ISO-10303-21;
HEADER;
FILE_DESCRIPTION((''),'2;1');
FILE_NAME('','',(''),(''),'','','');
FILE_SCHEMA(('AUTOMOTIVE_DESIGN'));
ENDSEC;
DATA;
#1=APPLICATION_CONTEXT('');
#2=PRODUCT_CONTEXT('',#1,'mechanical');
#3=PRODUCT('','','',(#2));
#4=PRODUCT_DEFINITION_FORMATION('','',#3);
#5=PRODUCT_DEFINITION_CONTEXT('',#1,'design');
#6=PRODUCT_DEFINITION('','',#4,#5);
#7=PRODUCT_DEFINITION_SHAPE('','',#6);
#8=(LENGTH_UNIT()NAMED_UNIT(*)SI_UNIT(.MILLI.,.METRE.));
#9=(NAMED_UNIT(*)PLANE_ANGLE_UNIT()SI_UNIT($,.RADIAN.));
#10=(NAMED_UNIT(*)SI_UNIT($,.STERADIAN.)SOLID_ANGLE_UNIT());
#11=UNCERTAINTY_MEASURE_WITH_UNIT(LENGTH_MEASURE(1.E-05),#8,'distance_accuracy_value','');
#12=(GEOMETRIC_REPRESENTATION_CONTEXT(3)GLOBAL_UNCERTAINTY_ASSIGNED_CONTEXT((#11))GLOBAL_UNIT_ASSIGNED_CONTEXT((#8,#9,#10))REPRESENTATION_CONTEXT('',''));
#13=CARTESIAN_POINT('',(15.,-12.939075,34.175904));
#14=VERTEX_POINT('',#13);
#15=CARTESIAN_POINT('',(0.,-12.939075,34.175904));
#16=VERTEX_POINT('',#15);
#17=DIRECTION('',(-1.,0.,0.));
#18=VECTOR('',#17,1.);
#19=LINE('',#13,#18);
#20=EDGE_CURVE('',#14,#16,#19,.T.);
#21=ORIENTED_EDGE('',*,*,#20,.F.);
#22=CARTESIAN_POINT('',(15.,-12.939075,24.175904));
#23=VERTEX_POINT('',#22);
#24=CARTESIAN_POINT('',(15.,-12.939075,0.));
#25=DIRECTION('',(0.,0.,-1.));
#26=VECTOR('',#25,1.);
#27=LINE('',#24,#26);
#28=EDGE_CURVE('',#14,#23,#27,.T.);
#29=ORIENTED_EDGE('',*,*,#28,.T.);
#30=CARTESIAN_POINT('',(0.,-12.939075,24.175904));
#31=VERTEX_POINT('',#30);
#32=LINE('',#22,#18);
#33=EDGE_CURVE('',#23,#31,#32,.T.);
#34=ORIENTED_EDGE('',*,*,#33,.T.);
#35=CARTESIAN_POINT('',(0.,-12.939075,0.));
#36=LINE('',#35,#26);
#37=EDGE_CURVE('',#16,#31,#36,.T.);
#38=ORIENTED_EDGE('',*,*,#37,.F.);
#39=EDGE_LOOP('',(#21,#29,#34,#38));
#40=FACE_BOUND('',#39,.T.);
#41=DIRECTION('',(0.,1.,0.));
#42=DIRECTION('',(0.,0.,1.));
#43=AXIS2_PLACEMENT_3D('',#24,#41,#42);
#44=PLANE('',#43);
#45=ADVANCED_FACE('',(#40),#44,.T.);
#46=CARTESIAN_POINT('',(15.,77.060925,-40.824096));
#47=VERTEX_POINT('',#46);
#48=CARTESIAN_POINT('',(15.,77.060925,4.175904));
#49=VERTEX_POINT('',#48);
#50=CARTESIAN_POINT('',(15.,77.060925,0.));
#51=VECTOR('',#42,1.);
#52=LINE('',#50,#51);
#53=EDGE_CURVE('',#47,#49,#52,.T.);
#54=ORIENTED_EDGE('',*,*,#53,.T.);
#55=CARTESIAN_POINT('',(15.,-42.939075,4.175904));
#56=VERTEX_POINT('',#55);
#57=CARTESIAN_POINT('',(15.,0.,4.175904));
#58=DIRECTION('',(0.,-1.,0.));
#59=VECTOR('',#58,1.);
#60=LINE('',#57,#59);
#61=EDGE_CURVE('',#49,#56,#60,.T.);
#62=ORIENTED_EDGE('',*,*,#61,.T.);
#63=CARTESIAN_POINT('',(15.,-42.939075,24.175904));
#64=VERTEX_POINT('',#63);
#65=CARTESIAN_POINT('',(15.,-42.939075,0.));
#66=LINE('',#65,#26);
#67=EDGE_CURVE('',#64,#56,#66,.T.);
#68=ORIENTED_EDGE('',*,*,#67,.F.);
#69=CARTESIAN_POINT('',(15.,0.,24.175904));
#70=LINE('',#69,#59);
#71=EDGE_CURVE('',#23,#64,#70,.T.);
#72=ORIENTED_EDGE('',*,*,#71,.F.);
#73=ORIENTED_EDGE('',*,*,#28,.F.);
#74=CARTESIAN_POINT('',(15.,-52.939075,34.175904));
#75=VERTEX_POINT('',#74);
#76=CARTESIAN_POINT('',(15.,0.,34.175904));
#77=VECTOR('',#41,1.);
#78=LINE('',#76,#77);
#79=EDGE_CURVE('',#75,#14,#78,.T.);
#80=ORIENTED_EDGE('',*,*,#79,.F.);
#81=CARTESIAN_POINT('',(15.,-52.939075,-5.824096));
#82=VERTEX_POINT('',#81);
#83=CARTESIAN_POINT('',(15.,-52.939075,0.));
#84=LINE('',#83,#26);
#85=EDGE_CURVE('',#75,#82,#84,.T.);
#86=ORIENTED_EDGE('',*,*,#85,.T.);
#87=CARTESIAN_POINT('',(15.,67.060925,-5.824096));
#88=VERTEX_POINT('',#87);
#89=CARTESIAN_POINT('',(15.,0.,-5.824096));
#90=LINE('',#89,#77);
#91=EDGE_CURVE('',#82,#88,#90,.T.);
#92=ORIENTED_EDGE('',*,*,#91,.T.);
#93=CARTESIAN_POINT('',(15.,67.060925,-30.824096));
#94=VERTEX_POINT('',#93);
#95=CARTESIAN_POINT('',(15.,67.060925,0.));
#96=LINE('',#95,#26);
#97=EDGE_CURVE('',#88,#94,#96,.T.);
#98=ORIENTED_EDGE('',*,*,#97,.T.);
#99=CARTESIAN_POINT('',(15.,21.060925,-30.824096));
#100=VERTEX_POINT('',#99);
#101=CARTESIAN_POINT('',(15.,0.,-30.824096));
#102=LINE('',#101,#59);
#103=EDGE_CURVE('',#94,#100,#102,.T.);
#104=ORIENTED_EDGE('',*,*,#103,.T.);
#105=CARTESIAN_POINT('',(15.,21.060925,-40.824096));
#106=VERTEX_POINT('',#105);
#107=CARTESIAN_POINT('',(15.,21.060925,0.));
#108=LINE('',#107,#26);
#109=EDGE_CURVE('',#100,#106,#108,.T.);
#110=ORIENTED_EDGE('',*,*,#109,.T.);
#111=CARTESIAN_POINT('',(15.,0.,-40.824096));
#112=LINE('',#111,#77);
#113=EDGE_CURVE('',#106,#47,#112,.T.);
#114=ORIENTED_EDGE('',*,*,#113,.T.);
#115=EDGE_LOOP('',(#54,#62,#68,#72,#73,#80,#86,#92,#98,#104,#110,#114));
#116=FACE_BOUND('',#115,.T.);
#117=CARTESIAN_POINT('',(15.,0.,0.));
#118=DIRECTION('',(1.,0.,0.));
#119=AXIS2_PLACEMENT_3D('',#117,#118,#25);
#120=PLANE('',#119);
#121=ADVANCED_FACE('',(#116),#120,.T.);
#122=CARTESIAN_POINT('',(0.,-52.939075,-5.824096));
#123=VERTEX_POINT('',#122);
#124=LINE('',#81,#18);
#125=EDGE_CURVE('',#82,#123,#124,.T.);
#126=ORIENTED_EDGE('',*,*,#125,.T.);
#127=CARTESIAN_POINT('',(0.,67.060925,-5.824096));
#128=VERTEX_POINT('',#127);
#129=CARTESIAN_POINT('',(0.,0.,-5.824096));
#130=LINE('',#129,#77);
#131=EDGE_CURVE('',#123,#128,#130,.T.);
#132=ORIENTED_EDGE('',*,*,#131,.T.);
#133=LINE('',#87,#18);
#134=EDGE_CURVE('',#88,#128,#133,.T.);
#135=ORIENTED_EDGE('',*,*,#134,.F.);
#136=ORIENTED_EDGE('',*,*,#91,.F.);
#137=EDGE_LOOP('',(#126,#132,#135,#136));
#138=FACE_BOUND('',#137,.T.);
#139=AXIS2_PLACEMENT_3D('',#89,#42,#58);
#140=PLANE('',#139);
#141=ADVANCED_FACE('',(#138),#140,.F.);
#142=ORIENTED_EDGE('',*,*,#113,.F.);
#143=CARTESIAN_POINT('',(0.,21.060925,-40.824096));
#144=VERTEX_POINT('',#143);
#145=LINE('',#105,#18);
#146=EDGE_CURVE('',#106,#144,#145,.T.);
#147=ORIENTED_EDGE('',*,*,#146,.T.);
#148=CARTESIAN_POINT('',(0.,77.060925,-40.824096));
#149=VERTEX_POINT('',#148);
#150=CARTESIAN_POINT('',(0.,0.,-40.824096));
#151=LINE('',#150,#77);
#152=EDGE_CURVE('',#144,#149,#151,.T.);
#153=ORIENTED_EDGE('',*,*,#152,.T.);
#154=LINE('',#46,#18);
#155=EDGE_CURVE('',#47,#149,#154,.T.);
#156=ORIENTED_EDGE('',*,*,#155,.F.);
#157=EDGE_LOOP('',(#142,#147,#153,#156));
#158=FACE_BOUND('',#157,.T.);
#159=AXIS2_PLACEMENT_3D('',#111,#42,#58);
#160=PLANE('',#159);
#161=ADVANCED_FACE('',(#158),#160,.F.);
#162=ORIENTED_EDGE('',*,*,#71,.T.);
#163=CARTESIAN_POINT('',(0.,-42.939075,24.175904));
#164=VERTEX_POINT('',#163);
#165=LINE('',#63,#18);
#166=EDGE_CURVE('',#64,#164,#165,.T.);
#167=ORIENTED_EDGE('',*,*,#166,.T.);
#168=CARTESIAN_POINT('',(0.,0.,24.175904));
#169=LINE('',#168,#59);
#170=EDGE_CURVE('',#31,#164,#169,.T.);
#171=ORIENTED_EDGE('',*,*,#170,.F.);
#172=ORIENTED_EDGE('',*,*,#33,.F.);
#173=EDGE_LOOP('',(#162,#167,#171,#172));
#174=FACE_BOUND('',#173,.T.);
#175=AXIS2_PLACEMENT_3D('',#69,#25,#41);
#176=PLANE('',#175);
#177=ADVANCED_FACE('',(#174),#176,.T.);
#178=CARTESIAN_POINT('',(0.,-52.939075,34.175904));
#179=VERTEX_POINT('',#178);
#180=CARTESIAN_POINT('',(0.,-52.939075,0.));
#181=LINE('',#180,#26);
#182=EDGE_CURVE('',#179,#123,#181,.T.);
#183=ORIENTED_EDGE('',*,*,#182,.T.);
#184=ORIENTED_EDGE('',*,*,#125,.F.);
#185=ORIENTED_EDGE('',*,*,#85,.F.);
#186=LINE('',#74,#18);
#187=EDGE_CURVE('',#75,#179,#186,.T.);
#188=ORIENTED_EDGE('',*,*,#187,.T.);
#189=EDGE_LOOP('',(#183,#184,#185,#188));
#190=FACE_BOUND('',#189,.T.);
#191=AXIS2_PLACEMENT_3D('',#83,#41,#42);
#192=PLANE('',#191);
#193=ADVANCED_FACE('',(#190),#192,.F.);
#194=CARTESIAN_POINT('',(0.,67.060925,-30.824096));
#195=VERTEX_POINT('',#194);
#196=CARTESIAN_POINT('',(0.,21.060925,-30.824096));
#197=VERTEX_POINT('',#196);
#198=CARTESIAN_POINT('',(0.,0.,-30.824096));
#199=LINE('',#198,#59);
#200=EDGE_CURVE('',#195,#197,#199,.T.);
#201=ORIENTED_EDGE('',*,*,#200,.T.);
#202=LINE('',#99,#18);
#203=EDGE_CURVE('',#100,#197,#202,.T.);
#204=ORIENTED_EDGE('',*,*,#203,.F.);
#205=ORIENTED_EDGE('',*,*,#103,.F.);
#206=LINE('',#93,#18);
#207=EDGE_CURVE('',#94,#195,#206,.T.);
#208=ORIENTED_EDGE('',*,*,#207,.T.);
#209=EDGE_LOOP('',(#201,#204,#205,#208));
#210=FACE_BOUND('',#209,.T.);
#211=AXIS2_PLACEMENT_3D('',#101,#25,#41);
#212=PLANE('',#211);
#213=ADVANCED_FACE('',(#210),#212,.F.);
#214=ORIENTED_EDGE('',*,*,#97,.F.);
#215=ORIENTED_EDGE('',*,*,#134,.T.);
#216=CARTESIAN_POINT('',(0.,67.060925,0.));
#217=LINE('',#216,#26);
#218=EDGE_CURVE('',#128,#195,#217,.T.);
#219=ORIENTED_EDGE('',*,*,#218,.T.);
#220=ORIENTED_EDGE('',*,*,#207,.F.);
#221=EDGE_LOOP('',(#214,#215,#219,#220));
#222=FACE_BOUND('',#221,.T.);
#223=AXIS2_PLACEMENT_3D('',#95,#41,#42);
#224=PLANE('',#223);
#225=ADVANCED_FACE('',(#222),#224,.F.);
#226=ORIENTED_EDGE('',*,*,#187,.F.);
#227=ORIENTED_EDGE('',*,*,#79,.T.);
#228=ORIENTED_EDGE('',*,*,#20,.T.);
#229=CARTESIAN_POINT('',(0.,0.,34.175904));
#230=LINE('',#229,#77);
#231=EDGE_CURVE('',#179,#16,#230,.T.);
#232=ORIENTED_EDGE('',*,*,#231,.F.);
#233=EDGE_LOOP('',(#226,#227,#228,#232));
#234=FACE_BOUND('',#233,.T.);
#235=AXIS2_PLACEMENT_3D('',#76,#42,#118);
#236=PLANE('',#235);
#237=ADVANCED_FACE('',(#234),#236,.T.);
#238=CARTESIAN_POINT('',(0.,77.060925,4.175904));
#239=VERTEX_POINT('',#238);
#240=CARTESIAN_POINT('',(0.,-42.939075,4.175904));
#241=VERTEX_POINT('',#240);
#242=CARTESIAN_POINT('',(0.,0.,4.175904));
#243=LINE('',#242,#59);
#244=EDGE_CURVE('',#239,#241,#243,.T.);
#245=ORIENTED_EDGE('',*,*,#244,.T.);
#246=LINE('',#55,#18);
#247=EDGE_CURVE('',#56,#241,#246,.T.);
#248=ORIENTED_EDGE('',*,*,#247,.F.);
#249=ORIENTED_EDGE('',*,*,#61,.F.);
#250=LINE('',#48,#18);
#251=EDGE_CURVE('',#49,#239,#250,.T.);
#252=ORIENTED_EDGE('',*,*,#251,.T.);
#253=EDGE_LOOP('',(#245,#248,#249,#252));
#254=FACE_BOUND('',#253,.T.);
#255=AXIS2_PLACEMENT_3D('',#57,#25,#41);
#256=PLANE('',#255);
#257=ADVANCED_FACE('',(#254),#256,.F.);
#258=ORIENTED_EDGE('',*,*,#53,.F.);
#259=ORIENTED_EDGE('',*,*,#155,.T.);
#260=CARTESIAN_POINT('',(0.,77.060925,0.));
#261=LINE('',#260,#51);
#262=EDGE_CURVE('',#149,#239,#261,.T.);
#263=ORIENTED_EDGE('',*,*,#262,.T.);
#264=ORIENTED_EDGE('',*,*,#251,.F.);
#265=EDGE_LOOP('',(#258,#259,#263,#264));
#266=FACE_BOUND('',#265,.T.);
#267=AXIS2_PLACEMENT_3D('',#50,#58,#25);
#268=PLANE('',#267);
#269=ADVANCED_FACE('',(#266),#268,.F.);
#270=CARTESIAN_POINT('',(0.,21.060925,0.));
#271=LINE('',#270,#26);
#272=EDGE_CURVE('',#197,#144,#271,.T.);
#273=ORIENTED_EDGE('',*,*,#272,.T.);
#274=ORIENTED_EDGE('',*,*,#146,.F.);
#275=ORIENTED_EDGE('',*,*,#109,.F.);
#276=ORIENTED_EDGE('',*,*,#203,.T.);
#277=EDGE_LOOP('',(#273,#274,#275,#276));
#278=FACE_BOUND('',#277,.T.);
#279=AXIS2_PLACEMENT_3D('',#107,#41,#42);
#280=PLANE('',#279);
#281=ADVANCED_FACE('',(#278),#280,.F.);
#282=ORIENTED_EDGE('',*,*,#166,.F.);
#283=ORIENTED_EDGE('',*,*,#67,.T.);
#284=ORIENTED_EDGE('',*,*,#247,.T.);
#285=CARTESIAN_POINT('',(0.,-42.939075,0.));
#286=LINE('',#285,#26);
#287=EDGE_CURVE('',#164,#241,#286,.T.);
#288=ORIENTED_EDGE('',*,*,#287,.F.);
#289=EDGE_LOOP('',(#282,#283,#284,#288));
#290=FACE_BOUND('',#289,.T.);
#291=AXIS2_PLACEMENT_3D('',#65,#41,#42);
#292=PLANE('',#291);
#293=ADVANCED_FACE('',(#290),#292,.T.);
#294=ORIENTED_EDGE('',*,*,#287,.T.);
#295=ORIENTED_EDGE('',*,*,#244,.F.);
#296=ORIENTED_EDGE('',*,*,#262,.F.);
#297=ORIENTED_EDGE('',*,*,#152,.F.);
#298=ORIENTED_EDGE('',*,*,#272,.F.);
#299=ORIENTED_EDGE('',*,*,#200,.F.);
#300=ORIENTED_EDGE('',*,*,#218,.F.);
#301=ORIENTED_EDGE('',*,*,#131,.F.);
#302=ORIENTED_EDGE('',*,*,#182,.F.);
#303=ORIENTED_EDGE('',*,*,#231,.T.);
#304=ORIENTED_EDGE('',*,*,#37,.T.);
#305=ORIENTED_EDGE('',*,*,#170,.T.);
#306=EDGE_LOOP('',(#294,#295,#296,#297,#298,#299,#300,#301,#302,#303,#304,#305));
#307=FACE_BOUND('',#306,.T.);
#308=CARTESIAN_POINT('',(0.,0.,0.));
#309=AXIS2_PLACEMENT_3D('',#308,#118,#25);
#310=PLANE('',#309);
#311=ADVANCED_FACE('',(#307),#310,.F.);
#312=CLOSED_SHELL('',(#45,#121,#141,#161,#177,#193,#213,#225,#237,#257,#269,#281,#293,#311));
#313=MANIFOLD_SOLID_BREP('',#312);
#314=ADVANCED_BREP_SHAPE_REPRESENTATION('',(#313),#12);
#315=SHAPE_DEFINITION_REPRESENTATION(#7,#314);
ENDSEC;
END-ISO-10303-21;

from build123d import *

# Parameters (mm, degrees)
BOSS_EXTRUDE1_DEPTH = 15


with BuildPart() as part:
    # Sketch1 → Boss-Extrude1 (new body)
    with BuildSketch(Plane(origin=(0, 0, 0), x_dir=(0, 0, -1), z_dir=(1, 0, 0))):
        Polygon((30.824095604, 67.060925147), (30.824095604, 21.060925147), (40.824095604, 21.060925147), (40.824095604, 77.060925147), (-4.175904396, 77.060925147), (-4.175904396, -52.939074853), (5.824095604, -52.939074853), (5.824095604, 67.060925147), align=None)
        Polygon((-4.175904396, -52.939074853), (-4.175904396, -42.939074853), (-24.175904396, -42.939074853), (-24.175904396, -12.939074853), (-34.175904396, -12.939074853), (-34.175904396, -52.939074853), align=None)
    extrude(amount=BOSS_EXTRUDE1_DEPTH)


solid = part.part
